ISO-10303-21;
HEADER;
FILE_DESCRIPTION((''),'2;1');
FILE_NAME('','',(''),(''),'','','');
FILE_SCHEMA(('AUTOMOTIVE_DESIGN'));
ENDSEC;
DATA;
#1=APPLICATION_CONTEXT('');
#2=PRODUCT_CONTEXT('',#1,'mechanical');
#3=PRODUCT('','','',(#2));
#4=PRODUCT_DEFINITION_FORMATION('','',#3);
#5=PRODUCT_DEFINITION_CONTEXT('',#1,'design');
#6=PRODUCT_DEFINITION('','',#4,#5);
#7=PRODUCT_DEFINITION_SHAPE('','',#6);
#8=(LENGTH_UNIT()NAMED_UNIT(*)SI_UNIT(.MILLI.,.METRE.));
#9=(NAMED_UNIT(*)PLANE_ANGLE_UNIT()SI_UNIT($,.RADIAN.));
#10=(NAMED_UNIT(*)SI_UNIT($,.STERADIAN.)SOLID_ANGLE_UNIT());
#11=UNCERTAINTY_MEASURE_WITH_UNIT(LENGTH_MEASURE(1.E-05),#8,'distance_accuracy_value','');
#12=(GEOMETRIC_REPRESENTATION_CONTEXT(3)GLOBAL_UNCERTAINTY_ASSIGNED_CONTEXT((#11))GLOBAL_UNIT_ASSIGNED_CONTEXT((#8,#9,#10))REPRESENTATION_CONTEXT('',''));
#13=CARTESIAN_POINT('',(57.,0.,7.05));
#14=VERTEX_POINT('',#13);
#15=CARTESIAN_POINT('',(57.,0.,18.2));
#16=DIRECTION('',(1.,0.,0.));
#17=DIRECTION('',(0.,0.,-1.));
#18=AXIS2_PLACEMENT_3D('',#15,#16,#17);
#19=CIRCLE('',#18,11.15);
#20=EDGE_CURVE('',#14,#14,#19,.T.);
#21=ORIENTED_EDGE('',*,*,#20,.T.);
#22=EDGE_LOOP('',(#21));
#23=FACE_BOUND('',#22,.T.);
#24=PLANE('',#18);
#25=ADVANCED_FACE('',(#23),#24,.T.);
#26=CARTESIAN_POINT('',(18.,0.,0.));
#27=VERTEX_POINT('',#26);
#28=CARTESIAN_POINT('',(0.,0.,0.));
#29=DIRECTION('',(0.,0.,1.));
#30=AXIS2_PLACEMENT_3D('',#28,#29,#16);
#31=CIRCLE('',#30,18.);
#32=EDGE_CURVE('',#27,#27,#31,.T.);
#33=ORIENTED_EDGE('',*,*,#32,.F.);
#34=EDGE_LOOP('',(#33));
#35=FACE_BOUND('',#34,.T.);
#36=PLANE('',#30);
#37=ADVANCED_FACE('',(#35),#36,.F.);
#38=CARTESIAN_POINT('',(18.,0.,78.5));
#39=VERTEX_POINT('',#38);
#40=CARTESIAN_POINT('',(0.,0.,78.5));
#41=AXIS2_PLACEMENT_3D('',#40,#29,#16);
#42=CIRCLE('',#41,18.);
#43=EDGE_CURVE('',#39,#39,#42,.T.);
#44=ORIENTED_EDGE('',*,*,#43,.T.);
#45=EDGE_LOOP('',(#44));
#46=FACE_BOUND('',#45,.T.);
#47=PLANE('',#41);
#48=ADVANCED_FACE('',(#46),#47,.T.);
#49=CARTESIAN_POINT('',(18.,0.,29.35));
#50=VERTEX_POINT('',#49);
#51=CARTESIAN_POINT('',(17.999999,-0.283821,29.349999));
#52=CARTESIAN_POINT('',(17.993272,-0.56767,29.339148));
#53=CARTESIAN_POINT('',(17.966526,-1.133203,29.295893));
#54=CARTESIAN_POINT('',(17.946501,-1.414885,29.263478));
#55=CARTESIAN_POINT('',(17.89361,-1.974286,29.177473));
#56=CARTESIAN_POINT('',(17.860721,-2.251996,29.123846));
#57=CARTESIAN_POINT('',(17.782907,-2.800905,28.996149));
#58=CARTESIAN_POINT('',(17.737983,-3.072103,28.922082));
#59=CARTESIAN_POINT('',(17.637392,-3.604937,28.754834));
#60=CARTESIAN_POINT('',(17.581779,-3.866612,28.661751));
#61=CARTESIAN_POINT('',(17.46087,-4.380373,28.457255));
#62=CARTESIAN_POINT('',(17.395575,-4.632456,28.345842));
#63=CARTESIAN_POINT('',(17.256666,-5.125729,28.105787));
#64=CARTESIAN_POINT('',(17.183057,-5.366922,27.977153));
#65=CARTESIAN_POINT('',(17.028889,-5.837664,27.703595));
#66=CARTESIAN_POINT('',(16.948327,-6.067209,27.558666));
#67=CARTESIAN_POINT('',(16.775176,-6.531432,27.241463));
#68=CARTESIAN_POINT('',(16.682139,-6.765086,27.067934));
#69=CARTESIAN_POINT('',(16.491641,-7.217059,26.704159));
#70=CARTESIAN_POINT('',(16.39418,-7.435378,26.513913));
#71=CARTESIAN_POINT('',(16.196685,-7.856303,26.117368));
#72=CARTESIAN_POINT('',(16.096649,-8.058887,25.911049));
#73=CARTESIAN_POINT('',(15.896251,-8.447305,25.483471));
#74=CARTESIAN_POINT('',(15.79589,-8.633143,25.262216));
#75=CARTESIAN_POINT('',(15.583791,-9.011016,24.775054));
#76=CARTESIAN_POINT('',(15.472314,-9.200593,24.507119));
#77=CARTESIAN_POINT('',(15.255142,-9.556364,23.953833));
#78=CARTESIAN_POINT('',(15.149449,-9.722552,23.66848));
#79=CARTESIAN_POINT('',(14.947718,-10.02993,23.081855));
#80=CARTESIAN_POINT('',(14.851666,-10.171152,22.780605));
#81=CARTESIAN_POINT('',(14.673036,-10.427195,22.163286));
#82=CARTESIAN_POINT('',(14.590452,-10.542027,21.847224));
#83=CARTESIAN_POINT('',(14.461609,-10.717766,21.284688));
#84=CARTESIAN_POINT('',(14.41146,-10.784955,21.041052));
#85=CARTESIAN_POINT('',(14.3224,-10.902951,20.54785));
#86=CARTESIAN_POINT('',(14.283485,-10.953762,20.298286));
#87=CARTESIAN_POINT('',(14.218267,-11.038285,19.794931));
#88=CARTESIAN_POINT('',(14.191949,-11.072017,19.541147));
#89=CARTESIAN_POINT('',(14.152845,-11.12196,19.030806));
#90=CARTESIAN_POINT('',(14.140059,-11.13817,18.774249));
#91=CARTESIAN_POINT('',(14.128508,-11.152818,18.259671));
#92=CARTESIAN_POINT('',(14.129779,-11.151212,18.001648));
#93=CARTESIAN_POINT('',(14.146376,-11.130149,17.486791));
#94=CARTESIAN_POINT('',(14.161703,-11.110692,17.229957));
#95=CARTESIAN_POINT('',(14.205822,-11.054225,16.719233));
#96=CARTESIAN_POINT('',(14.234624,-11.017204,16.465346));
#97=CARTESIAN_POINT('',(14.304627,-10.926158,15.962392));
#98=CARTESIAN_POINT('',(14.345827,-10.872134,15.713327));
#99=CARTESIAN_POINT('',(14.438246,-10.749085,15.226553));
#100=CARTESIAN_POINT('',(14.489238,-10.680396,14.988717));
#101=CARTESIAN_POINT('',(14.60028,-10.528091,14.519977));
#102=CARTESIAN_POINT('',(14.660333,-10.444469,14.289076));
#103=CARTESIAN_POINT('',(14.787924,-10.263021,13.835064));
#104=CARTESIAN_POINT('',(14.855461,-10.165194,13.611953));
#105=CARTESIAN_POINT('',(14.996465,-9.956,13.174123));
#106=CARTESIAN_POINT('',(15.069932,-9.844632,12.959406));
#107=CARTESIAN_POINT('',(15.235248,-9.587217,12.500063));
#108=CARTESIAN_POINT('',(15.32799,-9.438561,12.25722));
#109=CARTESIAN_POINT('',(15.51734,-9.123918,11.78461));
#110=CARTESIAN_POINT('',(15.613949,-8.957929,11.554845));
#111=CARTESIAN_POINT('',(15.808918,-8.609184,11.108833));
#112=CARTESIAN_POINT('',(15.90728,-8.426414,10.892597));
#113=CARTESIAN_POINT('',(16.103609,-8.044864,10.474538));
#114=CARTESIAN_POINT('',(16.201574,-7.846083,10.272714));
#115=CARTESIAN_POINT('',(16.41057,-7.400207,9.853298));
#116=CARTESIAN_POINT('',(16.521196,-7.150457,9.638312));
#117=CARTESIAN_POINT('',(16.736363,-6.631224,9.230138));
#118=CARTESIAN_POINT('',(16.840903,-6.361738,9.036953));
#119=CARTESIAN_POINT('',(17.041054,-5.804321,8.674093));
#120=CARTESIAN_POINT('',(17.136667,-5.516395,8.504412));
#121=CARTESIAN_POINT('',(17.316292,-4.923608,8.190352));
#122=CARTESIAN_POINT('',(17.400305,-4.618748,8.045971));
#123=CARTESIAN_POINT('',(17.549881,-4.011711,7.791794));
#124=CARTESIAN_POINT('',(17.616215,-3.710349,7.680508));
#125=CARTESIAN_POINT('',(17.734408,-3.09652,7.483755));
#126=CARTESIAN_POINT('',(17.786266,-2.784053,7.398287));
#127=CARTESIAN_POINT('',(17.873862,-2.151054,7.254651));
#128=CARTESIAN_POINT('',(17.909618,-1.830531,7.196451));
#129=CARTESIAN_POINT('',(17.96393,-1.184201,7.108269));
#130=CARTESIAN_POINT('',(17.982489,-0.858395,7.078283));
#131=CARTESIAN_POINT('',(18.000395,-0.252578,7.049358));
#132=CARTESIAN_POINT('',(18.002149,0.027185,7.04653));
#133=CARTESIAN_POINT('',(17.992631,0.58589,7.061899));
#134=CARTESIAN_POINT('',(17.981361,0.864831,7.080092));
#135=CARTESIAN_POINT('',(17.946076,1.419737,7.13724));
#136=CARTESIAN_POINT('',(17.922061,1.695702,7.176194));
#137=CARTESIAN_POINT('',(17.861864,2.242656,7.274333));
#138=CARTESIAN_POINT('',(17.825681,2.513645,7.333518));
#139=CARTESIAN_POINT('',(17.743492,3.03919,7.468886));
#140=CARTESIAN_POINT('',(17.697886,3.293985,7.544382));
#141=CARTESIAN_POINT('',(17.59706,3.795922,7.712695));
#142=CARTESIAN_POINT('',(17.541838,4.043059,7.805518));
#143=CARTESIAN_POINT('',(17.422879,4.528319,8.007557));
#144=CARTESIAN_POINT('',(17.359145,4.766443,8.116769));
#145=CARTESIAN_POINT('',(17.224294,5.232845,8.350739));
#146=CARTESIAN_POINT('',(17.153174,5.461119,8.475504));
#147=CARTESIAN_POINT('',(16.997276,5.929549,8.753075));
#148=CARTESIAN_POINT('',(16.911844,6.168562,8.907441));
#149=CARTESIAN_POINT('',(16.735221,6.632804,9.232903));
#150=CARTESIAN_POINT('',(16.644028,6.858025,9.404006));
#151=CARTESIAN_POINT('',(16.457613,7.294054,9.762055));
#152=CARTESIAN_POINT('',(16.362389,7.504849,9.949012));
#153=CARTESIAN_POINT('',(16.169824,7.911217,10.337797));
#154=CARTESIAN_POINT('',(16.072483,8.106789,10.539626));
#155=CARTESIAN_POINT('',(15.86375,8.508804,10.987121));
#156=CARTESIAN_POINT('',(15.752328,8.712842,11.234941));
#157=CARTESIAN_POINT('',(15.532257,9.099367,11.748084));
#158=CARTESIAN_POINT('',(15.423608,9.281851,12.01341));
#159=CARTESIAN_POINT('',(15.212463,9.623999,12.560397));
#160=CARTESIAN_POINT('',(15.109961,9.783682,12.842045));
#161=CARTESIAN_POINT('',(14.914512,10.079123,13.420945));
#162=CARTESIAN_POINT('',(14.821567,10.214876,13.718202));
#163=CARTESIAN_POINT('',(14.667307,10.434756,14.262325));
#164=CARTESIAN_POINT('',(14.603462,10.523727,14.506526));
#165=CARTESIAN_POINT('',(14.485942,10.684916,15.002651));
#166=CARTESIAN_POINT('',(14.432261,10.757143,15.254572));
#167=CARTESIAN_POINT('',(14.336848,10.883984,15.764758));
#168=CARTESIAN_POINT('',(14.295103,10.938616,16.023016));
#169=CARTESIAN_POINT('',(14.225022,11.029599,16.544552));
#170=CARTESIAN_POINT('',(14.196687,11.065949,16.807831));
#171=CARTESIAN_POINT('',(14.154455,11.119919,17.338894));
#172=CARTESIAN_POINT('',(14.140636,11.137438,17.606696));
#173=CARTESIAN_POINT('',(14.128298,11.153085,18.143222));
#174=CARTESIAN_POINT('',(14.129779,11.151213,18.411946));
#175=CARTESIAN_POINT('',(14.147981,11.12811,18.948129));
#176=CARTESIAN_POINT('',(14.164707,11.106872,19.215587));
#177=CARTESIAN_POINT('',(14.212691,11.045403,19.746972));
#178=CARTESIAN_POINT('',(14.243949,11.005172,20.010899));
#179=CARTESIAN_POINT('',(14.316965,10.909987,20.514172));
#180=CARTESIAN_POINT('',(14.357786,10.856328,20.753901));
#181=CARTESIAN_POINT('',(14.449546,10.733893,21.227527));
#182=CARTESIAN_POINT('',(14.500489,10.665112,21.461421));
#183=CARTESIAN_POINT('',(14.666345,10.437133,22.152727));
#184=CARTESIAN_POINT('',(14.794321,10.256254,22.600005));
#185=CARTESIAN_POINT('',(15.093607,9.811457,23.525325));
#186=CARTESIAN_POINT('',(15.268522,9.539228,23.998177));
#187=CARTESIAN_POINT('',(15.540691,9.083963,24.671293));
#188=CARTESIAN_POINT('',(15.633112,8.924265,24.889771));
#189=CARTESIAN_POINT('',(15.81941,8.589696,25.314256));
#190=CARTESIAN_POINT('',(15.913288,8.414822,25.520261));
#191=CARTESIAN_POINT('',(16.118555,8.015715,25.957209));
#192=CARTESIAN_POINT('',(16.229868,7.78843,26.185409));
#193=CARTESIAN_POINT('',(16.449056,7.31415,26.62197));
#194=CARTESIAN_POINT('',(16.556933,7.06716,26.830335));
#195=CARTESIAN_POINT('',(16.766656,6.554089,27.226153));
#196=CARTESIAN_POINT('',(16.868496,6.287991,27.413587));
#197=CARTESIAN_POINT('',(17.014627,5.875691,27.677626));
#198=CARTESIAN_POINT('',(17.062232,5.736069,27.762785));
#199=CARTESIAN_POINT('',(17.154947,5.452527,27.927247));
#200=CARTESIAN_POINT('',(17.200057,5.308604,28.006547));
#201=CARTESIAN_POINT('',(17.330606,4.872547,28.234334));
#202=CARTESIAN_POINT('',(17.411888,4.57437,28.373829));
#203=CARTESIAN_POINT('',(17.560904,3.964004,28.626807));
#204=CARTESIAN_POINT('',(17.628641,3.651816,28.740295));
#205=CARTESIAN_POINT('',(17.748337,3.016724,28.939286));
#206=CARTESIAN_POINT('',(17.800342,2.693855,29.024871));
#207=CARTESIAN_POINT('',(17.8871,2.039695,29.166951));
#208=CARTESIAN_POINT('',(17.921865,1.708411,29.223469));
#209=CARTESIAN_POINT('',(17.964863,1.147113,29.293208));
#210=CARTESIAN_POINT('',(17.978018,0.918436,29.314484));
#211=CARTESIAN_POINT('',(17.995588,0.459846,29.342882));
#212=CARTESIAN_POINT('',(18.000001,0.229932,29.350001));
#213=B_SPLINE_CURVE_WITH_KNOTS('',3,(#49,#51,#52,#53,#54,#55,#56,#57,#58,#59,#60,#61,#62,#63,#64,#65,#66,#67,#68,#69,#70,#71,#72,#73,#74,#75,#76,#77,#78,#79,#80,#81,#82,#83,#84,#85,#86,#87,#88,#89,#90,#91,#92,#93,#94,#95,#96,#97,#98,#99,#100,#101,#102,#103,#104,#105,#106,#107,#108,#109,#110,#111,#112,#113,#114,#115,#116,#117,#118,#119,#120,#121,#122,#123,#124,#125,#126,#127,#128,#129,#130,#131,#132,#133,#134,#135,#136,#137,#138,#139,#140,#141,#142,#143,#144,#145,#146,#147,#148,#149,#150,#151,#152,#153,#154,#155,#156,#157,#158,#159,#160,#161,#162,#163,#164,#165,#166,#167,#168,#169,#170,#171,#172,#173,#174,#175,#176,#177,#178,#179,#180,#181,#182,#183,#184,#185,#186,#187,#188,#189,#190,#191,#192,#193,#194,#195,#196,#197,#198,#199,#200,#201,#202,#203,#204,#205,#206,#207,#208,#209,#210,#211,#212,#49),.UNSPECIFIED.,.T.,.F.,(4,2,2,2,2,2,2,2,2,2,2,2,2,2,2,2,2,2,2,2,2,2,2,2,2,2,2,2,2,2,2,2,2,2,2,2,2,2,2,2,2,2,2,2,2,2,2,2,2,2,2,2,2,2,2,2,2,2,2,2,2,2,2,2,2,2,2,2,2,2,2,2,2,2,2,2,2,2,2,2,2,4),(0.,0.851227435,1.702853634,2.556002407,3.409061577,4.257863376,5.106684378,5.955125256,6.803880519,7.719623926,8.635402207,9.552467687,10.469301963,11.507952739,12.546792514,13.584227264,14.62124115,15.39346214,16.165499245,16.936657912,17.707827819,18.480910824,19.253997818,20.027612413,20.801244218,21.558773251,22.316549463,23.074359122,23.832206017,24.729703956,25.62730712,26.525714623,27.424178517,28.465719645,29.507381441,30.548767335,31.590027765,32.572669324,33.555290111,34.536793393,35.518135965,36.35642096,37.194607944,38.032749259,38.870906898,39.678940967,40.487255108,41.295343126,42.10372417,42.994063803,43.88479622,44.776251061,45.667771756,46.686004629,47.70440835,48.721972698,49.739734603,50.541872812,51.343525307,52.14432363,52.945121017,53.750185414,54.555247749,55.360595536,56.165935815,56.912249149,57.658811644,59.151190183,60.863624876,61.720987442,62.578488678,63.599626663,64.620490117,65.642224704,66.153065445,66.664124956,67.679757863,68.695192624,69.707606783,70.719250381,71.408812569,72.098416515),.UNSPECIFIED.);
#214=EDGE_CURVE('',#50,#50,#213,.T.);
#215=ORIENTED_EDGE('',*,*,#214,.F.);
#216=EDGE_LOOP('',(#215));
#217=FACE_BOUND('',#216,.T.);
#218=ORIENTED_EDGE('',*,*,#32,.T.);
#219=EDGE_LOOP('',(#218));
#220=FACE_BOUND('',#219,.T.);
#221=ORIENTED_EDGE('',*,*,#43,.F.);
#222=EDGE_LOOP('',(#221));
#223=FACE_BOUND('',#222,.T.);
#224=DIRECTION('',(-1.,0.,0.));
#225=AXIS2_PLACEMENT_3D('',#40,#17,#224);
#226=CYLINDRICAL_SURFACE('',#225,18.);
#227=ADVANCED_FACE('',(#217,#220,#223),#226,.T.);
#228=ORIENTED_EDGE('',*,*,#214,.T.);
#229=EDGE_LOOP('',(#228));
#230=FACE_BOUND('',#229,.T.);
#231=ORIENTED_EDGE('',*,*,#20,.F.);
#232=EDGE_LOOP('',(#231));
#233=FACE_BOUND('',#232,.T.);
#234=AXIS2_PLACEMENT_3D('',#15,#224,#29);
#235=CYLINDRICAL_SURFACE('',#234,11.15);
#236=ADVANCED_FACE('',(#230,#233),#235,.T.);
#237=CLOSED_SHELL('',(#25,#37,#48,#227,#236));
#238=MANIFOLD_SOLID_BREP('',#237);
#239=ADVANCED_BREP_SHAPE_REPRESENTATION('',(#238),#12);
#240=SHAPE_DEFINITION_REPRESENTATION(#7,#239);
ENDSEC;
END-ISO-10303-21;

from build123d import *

# Parameters (mm, degrees)
SKETCH1_R           = 18
BOSS_EXTRUDE1_DEPTH = 78.5
SKETCH4_R           = 11.15
BOSS_EXTRUDE3_DEPTH = 57


with BuildPart() as part:
    # Sketch1 → Boss-Extrude1 (new body)
    with BuildSketch(Plane.XY):
        Circle(SKETCH1_R)
    extrude(amount=BOSS_EXTRUDE1_DEPTH)

    # Sketch4 → Boss-Extrude3 (add)
    with BuildSketch(Plane(origin=(0, 0, 0), x_dir=(0, 0, -1), z_dir=(1, 0, 0))):
        with Locations((-18.2, 0)):
            Circle(SKETCH4_R)
    extrude(amount=BOSS_EXTRUDE3_DEPTH)


solid = part.part
